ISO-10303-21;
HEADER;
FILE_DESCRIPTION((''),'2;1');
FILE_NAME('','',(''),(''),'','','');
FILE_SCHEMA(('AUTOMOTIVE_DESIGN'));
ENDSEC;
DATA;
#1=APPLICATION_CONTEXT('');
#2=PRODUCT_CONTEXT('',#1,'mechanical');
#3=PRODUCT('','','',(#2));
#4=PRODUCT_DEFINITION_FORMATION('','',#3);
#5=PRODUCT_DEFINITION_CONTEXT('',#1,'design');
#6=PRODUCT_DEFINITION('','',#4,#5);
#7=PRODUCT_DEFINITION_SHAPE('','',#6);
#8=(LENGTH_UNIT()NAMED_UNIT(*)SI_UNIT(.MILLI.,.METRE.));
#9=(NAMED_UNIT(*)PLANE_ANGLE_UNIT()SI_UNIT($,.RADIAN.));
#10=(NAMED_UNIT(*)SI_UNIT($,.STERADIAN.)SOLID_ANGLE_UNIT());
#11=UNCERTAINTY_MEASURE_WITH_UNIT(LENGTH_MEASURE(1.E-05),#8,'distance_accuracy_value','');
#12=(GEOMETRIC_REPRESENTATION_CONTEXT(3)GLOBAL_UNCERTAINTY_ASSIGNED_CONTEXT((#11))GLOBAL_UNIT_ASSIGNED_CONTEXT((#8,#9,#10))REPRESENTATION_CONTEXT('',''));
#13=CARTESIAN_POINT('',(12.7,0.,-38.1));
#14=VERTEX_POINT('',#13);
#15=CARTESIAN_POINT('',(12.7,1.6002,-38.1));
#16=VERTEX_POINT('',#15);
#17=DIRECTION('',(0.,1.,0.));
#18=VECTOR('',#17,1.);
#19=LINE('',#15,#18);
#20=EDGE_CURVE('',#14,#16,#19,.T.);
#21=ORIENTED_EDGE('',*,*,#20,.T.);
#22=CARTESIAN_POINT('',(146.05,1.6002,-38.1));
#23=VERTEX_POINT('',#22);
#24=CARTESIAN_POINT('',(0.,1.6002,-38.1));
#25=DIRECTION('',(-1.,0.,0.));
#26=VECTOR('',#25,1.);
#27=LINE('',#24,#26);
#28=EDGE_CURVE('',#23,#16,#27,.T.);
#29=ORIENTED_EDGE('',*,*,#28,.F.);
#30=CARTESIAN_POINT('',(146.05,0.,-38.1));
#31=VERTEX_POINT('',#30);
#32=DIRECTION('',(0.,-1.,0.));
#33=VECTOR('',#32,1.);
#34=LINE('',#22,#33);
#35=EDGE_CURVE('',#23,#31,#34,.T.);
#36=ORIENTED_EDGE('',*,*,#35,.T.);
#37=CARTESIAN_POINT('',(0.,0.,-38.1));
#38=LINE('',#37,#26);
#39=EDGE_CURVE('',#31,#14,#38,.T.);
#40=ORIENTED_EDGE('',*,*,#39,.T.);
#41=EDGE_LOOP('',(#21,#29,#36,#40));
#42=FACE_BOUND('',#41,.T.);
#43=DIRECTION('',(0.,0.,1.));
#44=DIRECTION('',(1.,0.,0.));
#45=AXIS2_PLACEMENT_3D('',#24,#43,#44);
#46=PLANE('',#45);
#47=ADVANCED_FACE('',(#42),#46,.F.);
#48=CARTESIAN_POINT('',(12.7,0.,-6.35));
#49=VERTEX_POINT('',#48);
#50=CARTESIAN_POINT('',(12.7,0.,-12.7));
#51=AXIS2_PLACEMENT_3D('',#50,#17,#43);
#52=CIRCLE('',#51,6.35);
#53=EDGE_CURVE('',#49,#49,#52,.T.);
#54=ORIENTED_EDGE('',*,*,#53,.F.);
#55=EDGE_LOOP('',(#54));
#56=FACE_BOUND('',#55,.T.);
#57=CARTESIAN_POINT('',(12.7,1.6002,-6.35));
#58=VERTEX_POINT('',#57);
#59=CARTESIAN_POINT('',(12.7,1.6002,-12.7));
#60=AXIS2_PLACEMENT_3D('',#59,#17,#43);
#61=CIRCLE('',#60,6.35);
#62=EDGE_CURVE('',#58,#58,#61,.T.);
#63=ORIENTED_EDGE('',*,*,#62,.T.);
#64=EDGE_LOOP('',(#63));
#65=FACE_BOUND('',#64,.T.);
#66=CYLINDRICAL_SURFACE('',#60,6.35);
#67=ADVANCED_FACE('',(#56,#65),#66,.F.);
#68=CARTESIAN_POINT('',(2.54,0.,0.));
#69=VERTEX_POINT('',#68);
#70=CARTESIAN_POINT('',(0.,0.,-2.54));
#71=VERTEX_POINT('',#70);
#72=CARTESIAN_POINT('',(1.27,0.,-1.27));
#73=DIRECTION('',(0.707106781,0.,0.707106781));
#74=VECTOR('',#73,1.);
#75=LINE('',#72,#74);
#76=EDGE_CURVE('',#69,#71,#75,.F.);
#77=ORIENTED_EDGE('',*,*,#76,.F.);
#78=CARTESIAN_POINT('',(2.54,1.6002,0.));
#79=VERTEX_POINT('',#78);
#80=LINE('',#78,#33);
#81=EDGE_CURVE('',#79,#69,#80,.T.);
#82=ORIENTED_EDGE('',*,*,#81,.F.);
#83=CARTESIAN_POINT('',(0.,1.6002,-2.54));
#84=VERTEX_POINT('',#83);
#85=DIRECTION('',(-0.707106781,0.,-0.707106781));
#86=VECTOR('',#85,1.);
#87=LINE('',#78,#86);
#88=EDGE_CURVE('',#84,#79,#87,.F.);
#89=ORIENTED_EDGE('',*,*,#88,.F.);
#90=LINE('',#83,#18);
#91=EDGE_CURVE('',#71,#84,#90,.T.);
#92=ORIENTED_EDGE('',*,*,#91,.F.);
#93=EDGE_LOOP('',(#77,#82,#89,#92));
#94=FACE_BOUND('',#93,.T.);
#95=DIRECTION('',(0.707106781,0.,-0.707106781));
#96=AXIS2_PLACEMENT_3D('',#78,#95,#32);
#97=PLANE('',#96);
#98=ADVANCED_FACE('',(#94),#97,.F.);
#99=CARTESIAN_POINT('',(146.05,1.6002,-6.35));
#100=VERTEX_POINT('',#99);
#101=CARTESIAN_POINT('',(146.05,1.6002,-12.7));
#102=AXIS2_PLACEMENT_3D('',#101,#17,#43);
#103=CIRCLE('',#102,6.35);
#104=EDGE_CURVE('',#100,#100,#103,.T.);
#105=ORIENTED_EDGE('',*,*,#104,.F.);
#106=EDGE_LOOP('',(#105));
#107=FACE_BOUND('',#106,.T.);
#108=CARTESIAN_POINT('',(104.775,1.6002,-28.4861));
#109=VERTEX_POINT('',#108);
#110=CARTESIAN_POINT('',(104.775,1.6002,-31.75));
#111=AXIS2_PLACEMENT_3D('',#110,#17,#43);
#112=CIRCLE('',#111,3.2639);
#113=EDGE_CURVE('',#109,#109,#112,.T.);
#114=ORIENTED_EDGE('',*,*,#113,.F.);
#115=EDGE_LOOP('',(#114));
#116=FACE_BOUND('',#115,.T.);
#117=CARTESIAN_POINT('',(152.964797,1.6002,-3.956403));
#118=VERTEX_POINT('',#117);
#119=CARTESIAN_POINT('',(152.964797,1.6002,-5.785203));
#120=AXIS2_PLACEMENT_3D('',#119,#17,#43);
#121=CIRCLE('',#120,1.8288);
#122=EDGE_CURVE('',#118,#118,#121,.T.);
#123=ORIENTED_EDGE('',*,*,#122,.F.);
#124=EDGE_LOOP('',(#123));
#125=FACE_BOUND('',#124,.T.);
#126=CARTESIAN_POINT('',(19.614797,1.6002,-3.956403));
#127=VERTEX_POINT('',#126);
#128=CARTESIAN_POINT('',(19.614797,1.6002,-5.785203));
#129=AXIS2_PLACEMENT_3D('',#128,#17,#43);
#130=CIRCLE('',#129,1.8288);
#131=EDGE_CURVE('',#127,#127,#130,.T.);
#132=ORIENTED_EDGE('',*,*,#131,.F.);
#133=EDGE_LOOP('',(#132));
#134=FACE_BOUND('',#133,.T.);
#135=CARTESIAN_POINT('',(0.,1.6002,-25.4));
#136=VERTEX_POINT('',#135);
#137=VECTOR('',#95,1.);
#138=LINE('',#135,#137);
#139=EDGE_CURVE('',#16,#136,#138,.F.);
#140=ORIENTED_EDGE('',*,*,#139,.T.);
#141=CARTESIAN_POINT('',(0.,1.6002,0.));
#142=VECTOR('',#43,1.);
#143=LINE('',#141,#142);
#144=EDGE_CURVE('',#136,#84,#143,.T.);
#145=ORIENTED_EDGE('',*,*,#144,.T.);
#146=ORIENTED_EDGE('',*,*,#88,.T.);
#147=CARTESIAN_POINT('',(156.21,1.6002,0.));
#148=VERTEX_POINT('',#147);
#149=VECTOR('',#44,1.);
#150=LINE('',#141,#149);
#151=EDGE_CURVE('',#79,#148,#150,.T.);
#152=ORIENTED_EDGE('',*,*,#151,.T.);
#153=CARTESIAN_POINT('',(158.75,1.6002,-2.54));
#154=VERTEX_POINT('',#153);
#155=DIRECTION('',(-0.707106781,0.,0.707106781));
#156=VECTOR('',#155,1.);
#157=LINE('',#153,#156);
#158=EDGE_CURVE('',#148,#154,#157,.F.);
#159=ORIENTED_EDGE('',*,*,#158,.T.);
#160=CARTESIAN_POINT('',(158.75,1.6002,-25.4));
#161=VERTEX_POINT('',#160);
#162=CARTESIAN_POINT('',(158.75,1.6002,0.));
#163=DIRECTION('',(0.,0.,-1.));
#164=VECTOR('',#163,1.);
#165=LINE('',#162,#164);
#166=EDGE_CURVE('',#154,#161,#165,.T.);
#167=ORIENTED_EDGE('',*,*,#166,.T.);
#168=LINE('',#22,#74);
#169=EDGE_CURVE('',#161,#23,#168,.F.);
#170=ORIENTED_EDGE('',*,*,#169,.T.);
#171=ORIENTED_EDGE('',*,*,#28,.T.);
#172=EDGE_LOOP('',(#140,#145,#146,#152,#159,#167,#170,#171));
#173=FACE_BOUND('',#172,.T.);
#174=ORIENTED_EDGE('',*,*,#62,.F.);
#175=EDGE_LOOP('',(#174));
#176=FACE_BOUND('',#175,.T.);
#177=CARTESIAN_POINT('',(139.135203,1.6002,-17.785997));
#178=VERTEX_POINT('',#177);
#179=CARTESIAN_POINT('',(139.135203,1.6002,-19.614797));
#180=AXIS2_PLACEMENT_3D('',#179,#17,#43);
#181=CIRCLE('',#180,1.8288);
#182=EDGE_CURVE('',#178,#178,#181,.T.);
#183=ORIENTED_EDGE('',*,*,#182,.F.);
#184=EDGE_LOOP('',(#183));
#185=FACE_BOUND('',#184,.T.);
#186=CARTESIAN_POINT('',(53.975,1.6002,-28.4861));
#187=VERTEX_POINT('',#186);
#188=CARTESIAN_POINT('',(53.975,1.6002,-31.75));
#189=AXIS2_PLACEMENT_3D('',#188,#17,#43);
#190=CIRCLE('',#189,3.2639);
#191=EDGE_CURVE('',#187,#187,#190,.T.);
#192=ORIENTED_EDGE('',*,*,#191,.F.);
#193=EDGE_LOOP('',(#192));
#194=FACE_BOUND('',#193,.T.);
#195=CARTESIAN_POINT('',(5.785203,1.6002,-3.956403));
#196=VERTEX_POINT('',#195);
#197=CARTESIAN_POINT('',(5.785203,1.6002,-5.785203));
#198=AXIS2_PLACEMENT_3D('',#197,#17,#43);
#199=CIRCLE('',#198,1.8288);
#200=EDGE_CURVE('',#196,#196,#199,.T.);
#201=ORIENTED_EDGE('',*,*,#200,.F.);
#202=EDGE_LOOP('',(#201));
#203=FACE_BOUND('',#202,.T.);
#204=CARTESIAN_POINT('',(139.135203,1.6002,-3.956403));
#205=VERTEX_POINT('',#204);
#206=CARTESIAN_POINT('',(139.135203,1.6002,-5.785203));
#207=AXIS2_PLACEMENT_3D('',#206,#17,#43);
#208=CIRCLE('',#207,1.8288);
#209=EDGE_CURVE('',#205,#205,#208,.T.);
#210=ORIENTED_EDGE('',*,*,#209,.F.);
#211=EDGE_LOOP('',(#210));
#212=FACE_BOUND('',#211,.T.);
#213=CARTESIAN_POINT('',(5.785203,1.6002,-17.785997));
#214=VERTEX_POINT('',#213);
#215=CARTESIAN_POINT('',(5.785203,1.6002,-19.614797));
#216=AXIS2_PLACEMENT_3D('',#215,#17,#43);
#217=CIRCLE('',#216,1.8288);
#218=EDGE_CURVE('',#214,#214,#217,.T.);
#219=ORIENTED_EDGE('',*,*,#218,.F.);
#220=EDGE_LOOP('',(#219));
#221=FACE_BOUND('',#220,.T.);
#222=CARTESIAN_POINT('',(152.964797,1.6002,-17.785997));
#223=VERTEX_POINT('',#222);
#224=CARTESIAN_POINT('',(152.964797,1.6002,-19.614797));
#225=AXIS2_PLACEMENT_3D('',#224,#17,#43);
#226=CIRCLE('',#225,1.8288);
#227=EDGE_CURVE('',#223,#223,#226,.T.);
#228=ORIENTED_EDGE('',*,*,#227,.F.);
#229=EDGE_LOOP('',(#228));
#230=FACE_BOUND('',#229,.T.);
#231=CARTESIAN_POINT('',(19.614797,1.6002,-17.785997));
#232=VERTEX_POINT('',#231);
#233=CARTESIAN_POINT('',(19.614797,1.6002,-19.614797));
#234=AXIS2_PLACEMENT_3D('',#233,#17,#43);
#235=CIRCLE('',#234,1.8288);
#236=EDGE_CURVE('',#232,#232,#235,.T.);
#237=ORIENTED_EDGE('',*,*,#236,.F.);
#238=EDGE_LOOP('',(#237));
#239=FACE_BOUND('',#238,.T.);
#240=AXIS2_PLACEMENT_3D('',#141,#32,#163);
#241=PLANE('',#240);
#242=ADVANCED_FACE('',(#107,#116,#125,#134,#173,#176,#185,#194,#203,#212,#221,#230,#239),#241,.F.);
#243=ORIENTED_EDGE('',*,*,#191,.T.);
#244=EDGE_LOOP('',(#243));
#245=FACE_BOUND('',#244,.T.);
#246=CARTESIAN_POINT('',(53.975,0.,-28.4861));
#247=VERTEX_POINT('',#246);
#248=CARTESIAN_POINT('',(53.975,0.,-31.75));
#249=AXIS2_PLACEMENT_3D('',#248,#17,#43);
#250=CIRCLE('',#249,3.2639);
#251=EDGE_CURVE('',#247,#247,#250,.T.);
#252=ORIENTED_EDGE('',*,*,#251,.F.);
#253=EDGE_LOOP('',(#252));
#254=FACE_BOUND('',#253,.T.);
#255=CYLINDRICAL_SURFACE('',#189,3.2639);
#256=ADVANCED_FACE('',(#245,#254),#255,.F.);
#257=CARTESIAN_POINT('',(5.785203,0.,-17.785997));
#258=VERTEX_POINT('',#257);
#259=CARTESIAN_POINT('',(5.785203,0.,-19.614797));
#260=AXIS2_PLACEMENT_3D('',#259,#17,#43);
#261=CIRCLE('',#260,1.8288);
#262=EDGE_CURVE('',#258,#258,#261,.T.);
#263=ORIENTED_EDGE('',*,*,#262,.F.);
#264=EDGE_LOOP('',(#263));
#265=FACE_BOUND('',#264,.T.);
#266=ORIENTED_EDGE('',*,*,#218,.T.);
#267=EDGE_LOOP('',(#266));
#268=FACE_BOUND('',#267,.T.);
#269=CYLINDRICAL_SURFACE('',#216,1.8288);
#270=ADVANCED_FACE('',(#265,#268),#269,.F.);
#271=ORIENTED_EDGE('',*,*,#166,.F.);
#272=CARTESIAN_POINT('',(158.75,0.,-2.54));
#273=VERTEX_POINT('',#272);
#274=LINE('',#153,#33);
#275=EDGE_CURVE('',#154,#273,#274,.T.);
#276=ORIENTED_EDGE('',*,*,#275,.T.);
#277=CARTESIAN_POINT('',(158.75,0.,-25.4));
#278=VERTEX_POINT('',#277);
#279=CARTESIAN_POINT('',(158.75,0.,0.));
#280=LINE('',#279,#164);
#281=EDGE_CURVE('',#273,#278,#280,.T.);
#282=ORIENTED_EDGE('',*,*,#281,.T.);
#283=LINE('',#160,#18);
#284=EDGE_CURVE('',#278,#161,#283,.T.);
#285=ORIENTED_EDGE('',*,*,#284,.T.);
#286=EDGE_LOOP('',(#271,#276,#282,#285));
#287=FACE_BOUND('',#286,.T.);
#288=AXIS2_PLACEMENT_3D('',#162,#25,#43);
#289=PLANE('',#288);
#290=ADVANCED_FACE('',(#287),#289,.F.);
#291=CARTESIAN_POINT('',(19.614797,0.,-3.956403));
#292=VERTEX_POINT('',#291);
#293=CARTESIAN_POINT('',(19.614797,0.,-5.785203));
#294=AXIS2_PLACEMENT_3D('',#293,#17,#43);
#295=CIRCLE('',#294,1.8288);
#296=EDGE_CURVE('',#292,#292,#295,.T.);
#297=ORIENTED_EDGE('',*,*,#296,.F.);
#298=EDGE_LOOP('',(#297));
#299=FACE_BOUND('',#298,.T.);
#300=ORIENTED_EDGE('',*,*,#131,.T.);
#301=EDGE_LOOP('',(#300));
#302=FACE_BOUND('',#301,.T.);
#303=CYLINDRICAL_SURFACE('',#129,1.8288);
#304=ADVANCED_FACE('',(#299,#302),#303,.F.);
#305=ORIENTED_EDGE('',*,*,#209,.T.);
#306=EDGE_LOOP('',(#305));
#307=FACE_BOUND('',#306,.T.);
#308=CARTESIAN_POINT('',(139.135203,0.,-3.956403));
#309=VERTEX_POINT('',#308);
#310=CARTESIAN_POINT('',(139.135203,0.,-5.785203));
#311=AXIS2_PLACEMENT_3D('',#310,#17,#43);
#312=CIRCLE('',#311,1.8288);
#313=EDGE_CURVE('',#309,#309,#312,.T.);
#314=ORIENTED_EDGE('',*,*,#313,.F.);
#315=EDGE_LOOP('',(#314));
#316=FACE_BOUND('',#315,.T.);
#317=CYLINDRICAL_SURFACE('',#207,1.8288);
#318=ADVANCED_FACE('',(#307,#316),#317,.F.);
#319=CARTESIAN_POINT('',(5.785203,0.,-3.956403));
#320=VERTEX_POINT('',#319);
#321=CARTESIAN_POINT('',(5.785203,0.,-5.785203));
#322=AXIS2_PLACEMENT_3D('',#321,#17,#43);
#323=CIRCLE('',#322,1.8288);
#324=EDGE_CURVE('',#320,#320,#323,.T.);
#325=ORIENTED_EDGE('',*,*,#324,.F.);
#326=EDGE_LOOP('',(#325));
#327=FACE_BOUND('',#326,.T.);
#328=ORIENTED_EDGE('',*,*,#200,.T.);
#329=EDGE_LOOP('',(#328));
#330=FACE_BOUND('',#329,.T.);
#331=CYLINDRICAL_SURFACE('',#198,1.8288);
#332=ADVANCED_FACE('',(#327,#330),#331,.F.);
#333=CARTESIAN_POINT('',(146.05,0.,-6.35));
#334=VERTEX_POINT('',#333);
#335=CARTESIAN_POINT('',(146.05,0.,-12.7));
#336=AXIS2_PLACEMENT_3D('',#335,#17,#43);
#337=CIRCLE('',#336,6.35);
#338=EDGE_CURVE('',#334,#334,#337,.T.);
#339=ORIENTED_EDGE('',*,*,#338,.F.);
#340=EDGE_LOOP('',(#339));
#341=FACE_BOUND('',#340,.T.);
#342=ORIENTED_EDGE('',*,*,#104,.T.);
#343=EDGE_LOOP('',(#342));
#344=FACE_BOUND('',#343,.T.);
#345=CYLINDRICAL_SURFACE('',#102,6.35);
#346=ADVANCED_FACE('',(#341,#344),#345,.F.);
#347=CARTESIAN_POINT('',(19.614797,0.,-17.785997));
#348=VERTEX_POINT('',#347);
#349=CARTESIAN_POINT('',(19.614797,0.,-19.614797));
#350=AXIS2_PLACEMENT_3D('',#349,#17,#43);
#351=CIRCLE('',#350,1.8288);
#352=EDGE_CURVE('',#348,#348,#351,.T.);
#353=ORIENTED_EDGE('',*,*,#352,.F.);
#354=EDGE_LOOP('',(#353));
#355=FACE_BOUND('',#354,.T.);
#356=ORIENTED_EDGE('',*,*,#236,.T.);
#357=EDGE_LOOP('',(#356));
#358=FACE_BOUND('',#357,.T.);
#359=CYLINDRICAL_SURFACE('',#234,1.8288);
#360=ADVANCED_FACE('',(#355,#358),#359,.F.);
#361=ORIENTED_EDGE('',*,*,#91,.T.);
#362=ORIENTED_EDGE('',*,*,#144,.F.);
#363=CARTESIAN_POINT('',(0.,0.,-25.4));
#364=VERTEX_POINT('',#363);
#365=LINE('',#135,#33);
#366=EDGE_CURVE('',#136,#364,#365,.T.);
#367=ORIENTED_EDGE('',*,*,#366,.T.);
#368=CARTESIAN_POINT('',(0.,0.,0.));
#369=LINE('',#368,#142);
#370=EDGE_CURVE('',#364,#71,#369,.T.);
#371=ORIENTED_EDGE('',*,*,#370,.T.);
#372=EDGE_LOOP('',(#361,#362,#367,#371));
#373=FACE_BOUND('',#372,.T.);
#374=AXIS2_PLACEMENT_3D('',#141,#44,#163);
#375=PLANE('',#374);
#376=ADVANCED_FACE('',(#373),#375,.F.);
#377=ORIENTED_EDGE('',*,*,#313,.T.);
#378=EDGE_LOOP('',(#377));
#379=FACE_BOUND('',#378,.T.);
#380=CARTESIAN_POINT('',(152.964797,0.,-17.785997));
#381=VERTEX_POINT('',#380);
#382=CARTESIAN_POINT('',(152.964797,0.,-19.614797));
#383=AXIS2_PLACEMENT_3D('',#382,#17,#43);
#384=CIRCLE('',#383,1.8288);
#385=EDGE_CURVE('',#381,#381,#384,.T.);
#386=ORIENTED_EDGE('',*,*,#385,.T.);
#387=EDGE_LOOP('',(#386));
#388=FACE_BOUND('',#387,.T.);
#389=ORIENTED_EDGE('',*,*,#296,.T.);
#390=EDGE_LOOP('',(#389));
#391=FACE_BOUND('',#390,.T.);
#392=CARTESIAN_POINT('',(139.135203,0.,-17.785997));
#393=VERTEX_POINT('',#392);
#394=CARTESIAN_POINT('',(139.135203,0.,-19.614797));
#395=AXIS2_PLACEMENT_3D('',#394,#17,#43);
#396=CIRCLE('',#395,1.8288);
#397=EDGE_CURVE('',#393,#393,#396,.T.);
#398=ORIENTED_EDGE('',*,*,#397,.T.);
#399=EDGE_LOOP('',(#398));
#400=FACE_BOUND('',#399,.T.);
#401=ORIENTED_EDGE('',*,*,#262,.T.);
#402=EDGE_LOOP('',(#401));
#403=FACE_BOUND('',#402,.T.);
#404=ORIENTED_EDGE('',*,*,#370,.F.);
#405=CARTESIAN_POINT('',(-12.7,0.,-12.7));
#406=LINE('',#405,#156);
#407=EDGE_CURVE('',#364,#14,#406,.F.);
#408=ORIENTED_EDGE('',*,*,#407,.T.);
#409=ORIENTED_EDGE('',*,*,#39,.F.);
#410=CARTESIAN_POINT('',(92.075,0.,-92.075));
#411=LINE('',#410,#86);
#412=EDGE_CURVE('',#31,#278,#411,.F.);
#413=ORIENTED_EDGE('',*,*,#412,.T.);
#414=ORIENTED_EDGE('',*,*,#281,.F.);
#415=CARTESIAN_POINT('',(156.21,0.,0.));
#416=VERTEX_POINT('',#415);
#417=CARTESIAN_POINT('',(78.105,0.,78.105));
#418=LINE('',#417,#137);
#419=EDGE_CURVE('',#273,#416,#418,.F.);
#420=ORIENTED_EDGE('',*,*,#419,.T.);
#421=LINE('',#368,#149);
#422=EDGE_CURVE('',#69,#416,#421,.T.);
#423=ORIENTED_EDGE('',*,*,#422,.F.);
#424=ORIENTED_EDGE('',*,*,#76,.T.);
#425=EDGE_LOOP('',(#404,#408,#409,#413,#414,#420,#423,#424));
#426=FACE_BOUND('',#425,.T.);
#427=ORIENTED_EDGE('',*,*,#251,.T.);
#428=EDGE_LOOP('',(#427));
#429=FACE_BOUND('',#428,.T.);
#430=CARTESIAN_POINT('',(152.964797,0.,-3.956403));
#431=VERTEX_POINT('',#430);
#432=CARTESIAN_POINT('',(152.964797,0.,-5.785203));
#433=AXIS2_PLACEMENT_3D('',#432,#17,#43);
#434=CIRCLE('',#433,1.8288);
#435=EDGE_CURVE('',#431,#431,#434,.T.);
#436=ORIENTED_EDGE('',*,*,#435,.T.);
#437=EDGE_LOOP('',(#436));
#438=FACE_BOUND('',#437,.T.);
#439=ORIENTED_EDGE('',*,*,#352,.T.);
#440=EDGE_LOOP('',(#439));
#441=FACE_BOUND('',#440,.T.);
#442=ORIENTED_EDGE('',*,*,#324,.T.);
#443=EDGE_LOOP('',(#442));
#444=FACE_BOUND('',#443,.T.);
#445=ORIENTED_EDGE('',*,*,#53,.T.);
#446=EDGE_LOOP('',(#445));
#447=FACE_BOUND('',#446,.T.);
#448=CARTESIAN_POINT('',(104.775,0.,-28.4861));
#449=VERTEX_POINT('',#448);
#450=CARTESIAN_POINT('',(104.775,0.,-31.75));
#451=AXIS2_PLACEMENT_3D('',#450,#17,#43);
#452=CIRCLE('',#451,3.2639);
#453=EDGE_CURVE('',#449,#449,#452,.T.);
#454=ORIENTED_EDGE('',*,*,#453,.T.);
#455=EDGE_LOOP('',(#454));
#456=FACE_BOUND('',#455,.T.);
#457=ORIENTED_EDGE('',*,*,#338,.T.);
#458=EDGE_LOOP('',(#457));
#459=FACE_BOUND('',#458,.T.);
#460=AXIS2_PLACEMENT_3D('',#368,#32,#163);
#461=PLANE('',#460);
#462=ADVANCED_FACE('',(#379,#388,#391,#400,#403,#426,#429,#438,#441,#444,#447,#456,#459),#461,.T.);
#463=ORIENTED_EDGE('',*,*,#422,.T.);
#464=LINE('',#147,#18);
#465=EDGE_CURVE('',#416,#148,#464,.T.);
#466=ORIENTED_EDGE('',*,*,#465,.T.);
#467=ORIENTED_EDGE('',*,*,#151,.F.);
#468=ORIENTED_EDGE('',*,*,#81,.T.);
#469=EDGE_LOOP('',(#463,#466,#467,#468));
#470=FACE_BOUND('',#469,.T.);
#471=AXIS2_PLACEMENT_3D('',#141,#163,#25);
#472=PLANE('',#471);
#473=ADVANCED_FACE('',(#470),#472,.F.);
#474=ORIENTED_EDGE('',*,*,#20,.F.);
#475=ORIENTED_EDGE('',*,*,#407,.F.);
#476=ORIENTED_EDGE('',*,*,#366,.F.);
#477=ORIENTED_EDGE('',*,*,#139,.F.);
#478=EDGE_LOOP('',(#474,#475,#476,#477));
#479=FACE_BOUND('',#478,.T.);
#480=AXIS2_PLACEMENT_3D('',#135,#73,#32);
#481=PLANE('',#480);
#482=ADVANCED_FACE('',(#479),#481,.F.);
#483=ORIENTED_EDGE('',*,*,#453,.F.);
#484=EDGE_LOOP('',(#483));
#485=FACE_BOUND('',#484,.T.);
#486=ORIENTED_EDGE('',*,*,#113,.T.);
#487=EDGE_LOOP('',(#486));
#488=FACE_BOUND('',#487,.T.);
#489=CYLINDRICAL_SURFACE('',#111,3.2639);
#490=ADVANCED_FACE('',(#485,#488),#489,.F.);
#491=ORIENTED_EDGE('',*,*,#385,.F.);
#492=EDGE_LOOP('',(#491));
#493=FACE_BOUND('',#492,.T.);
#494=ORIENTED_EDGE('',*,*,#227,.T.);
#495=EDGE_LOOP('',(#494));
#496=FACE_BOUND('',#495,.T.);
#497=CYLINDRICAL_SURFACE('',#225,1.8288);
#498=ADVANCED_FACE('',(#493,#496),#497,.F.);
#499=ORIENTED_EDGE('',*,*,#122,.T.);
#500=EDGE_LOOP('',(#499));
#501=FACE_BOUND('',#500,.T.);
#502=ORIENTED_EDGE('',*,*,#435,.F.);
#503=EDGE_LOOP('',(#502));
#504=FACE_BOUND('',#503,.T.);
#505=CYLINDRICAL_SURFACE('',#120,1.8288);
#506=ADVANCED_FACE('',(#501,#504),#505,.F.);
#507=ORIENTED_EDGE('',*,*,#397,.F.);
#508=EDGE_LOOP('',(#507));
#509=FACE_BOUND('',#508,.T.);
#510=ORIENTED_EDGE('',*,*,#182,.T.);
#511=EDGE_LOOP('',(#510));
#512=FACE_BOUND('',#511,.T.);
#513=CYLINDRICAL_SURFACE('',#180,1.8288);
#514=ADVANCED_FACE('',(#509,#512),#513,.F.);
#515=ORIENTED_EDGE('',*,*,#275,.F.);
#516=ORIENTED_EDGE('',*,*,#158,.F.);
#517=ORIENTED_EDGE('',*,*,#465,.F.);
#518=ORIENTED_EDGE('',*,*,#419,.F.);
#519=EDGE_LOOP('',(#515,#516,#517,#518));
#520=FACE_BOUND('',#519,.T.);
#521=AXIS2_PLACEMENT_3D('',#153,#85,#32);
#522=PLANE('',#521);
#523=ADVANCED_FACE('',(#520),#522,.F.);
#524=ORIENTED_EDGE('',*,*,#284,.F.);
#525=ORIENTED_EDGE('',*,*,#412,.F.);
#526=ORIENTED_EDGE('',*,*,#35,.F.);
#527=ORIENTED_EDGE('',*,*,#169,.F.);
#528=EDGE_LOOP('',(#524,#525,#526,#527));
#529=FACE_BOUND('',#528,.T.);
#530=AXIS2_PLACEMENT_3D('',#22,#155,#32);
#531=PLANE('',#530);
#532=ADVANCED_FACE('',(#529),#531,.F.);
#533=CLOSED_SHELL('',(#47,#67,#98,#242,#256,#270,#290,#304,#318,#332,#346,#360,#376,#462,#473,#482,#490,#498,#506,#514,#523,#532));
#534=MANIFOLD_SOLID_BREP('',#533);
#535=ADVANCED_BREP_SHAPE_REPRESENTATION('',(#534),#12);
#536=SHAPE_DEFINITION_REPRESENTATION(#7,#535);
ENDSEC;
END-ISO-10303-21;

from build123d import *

# Parameters (mm, degrees)
SKETCH1_W                   = 158.75
SKETCH1_H                   = 38.1
BOSS_EXTRUDE1_DEPTH         = 1.6002
F_27_0_144_DIAMETER_HOLE1_D = 3.6576
F_1_2_0_5_DIAMETER_HOLE1_D  = 12.7
F_0_257_DIAMETER_HOLE1_D    = 6.5278
CHAMFER1_SIZE               = 2.54
CHAMFER2_SIZE               = 12.7


with BuildPart() as part:
    # Sketch1 → Boss-Extrude1 (new body)
    with BuildSketch(Plane(origin=(0, 0, 0), x_dir=(1, 0, 0), z_dir=(0, 1, 0))):
        with Locations((79.375, 19.05)):
            Rectangle(SKETCH1_W, SKETCH1_H)
    extrude(amount=BOSS_EXTRUDE1_DEPTH)

    # #27 (0.144) Diameter Hole1 (through all)
    with Locations(Plane(origin=(0, 1.6002, 0), x_dir=(1, 0, 0), z_dir=(0, 1, 0))):
        with Locations((5.785202787, 19.614797213), (19.614797213, 5.785202787), (5.785202787, 5.785202787), (19.614797213, 19.614797213), (152.964797213, 5.785202787), (139.135202787, 5.785202787), (139.135202787, 19.614797213), (152.964797213, 19.614797213)):
            Hole(F_27_0_144_DIAMETER_HOLE1_D / 2)

    # 1/2 (0.5) Diameter Hole1 (through all)
    with Locations(Plane(origin=(0, 1.6002, 0), x_dir=(1, 0, 0), z_dir=(0, 1, 0))):
        with Locations((12.7, 12.7), (146.05, 12.7)):
            Hole(F_1_2_0_5_DIAMETER_HOLE1_D / 2)

    # F (0.257) Diameter Hole1 (through all)
    with Locations(Plane(origin=(0, 1.6002, 0), x_dir=(1, 0, 0), z_dir=(0, 1, 0))):
        with Locations((53.975, 31.75), (104.775, 31.75)):
            Hole(F_0_257_DIAMETER_HOLE1_D / 2)

    # Chamfer1
    chamfer1_edges = [part.edges().sort_by_distance(p)[0] for p in [
        (158.75, 0.8001, 0),
        (0, 0.8001, 0),
    ]]
    chamfer(chamfer1_edges, length=CHAMFER1_SIZE)

    # Chamfer2
    chamfer2_edges = [part.edges().sort_by_distance(p)[0] for p in [
        (0, 0.8001, -38.1),
        (158.75, 0.8001, -38.1),
    ]]
    chamfer(chamfer2_edges, length=CHAMFER2_SIZE)


solid = part.part
